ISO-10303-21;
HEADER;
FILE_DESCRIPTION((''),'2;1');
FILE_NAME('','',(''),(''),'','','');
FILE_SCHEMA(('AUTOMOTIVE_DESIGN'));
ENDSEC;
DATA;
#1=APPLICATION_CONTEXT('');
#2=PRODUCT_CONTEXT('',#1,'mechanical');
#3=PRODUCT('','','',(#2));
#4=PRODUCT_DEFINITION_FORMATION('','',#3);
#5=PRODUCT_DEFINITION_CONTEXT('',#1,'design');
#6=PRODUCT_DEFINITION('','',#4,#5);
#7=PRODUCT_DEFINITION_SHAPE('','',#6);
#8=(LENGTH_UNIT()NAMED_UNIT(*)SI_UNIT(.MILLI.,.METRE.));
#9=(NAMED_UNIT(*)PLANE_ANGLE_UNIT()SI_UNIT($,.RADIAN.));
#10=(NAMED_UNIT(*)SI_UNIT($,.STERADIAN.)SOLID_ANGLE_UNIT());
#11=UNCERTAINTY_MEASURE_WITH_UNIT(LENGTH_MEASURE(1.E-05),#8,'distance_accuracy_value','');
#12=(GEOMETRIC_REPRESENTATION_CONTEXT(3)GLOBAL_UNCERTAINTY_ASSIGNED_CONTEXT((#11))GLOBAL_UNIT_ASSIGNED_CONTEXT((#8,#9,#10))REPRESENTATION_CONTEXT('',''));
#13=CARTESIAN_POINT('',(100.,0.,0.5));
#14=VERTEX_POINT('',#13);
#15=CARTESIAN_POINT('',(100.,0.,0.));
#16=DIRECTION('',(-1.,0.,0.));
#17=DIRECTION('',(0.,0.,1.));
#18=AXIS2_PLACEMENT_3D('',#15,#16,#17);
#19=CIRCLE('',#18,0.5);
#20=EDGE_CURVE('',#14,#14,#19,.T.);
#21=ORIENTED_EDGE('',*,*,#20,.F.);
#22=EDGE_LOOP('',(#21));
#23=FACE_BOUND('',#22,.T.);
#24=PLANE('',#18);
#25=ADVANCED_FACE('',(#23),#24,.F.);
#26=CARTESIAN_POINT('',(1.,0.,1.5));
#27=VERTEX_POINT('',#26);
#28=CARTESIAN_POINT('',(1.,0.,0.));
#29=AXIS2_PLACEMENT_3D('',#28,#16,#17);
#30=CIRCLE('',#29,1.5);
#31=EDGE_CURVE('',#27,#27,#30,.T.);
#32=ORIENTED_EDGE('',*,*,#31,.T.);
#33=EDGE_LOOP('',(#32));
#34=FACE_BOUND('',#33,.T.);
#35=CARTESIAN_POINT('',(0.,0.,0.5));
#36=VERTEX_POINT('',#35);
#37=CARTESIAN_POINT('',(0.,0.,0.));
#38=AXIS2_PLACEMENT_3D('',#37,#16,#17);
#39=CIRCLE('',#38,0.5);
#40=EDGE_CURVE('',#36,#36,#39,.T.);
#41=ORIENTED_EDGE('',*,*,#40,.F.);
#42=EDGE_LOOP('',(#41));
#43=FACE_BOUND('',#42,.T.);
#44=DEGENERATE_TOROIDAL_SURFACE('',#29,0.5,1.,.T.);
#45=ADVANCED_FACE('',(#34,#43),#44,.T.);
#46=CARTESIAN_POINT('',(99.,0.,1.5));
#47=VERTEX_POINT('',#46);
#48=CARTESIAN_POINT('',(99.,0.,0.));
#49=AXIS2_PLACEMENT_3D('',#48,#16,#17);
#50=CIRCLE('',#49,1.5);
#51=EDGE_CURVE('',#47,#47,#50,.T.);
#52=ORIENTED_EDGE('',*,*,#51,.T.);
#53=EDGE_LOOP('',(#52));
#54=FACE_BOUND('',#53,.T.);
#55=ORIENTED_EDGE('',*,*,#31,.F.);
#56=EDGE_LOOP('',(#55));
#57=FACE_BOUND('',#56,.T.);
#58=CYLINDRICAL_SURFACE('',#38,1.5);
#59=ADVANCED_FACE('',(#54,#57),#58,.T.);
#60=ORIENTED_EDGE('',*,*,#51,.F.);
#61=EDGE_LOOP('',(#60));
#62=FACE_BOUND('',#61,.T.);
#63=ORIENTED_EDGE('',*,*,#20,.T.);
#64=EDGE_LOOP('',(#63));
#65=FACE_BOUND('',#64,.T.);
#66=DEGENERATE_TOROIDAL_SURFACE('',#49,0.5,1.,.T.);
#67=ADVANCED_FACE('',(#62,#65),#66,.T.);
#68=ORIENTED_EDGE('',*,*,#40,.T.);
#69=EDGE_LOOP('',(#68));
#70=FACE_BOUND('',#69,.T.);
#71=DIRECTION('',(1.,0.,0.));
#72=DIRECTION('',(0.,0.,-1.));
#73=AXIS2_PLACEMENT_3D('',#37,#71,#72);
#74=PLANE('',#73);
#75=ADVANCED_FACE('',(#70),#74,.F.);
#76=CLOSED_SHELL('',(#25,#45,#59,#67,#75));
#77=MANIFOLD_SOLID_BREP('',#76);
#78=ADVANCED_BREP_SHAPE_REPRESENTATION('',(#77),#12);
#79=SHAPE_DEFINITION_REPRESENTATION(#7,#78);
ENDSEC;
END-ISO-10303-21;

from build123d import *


with BuildPart() as part:
    # Schizzo2 → Rivoluzione1 (revolve)
    with BuildSketch(Plane.XY):
        with BuildLine():
            Line((0, 0), (100, 0))
            Line((100, 0), (100, 0.5))
            ThreePointArc((100, 0.5), (99.707106781, 1.207106781), (99, 1.5))
            Line((99, 1.5), (1, 1.5))
            ThreePointArc((1, 1.5), (0.292893219, 1.207106781), (0, 0.5))
            Line((0, 0.5), (0, 0))
        make_face()
    revolve(axis=Axis((0, 0, 0), (1, 0, 0)))


solid = part.part
